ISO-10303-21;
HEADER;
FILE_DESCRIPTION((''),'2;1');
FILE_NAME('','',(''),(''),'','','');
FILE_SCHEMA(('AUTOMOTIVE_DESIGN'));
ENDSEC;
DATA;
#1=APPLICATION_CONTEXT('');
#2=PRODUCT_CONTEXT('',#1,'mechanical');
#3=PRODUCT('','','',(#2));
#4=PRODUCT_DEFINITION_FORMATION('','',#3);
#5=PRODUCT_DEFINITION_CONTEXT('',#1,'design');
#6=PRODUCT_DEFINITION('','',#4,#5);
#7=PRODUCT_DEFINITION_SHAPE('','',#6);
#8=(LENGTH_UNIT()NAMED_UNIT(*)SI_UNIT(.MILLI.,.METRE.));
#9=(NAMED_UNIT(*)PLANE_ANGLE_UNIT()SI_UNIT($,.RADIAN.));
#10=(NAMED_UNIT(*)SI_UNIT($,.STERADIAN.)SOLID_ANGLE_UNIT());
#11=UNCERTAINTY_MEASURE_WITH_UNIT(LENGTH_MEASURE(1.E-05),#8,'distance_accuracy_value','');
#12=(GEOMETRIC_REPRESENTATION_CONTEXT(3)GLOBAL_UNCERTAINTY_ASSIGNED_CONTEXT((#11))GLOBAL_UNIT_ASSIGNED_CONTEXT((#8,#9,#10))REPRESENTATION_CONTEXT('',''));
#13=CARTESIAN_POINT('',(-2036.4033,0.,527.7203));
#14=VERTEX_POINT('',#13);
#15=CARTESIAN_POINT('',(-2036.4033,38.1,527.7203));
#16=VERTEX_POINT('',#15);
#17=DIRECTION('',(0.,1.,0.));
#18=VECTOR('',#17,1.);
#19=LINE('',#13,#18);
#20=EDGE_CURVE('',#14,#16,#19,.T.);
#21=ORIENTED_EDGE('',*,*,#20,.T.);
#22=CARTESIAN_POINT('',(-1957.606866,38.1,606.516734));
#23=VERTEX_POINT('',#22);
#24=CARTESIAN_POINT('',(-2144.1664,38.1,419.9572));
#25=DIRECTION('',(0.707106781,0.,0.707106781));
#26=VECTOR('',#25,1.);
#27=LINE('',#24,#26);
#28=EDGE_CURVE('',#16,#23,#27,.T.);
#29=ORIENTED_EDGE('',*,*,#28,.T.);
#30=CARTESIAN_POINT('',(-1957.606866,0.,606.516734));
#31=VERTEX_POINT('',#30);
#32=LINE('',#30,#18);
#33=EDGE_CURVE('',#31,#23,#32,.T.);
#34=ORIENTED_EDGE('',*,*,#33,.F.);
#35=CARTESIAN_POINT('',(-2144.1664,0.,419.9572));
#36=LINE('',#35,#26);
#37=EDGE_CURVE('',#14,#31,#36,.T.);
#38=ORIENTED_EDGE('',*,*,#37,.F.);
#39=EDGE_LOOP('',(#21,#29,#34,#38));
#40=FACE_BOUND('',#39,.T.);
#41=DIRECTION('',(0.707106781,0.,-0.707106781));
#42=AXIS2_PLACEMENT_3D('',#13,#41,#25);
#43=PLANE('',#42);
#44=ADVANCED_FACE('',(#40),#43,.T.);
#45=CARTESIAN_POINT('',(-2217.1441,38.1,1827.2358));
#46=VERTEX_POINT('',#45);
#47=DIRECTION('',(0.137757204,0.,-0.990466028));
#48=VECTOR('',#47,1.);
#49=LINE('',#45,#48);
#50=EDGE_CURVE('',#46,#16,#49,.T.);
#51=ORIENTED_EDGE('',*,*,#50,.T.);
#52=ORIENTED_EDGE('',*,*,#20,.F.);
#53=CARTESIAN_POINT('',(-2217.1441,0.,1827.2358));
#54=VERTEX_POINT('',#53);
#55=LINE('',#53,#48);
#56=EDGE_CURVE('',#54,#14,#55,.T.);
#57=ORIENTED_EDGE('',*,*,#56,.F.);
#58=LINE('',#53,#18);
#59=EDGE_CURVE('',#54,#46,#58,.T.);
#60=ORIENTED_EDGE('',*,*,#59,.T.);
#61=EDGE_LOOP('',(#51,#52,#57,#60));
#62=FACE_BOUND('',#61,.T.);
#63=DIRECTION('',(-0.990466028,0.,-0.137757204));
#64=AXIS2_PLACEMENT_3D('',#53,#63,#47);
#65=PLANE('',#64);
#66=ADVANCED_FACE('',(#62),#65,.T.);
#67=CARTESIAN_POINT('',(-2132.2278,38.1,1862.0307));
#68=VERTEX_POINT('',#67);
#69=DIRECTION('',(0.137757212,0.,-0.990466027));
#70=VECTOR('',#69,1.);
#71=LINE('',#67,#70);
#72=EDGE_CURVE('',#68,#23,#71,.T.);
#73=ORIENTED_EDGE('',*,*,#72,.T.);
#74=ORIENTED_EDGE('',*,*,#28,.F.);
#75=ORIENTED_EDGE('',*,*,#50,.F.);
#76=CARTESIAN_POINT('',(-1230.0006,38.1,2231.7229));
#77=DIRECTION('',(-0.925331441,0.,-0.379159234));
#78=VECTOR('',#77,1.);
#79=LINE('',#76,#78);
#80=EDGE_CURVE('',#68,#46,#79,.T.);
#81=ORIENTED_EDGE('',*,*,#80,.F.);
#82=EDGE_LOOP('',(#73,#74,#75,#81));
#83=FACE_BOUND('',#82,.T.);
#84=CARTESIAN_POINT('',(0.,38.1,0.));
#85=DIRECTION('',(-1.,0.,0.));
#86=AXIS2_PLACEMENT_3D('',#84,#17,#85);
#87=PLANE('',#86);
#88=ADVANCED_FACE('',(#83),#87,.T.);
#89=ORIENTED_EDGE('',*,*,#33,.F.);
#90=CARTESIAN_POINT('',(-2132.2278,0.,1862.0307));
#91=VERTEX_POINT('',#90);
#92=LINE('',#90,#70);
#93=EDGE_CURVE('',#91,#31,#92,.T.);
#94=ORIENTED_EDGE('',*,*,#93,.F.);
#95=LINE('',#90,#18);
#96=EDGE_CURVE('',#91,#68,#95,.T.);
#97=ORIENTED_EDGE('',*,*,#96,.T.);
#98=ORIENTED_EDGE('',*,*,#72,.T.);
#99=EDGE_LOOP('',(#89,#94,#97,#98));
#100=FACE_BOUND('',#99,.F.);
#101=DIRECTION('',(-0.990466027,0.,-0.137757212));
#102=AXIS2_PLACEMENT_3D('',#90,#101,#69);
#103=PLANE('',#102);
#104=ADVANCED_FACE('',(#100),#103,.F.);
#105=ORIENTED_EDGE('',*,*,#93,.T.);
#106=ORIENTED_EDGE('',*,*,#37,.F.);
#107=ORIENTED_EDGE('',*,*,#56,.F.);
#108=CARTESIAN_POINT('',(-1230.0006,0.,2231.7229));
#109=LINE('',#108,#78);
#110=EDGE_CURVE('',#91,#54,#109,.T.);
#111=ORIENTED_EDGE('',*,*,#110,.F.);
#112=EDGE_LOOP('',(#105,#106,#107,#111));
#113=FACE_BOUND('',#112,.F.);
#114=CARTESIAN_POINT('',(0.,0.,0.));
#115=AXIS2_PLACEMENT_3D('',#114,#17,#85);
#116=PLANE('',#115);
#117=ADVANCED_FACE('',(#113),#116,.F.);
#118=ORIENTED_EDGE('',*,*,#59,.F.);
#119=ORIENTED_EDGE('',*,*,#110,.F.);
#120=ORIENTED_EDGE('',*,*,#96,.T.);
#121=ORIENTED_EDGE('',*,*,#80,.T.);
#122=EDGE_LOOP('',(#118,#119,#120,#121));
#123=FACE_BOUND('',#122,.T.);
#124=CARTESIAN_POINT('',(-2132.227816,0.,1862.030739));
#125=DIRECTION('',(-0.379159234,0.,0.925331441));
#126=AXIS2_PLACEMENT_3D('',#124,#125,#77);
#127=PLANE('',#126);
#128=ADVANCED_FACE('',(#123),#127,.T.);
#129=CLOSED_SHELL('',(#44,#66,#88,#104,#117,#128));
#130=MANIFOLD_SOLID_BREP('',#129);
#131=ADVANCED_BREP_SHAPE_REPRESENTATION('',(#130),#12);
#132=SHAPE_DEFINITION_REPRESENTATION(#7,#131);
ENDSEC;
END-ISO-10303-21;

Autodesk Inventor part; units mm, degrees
ref_plane "YZ Plane" through (0, 0, 0) normal (1, 0, 0) x (0, 1, 0)
ref_plane "XZ Plane" through (0, 0, 0) normal (0, 1, 0) x (-1, 0, 0)
ref_plane "XY Plane" through (0, 0, 0) normal (0, 0, 1) x (1, 0, 0)
sketch "Sketch1" plane through (0, 0, 0) normal (0, 1, 0) x (-1, 0, 0)
  line L0 (0, 0) -> (0, -1219.2)
  line L1 (0, 0) -> (88.9, 0)
  line L2 (88.9, 0) -> (88.9, -1219.2)
  line L3 (88.9, -1219.2) -> (0, -1219.2)
  line L4 (0, 0) -> (0, 1219.2) construction
  line L5 (0, 1219.2) -> (1219.2, 1219.2) construction
  line L6 (0, 1219.2) -> (0, 3657.6) construction
  line L7 (0, 3657.6) -> (0, 4876.8) construction
  line L8 (0, 4876.8) -> (0, 6096) construction
  line L9 (0, -1219.2) -> (2438.4, -1219.2) construction
  line L10 (0, 6096) -> (2438.4, 6096) construction
  line L11 (2438.4, 6096) -> (2438.4, -1219.2) construction
  line L12 (0, 3657.6) -> (0, 3352.8) construction
  line L13 (0, 3352.8) -> (2438.4, 3352.8) construction
  line L14 (2438.4, 3352.8) -> (1219.2, 3352.8)
  line L15 (1219.2, 3352.8) -> (1219.2, 3263.9)
  line L16 (1219.2, 3263.9) -> (2438.4, 3263.9)
  line L17 (2438.4, 3263.9) -> (2438.4, 3352.8)
  line L18 (0, 6096) -> (862.1046, 6958.1046)
  line L19 (862.1046, 6958.1046) -> (924.9664, 6895.2428)
  line L20 (924.9664, 6895.2428) -> (62.8618, 6033.1382)
  line L21 (62.8618, 6033.1382) -> (0, 6096)
  line L22 (0, 4876.8) -> (1219.2, 4876.8) construction
  line L23 (1219.2, 4876.8) -> (2081.3046, 5738.9046)
  line L24 (1219.2, 1219.2) -> (2081.3046, 357.0954)
  line L25 (2081.3046, 357.0954) -> (2018.4428, 294.2336)
  line L26 (2018.4428, 294.2336) -> (1156.3382, 1156.3382)
  line L27 (1156.3382, 1156.3382) -> (1219.2, 1219.2)
  line L28 (2018.4428, 294.2336) -> (88.9, -1219.2)
  line L29 (2081.3046, 357.0954) -> (2144.1664, 419.9572)
  line L30 (2144.1664, 419.9572) -> (1282.0618, 1282.0618)
  line L31 (1282.0618, 1282.0618) -> (1219.2, 1219.2)
  line L32 (2438.4, 3352.8) -> (2438.4, 3441.7)
  line L33 (2438.4, 3441.7) -> (1219.2, 3441.7)
  line L34 (1219.2, 3441.7) -> (1219.2, 3352.8)
  line L35 (1156.3382, 4939.6618) -> (1282.0618, 4813.9382)
  line L36 (2018.4428, 5801.7664) -> (2144.1664, 5676.0428)
  line L37 (1282.0618, 4813.9382) -> (2144.1664, 5676.0428)
  line L38 (2018.4428, 5801.7664) -> (1156.3382, 4939.6618)
  line L39 (2018.4428, 5801.7664) -> (924.9664, 6895.2428)
  line L40 (62.8618, 6033.1382) -> (1156.3382, 4939.6618)
  line L41 (1233.6206, 4168.8855) -> (1267.6412, 4086.7527)
  line L42 (1263.7078, 2313.9849) -> (1230.0006, 2231.7229)
  arc A0 (862.1046, 6958.1046) -> (0, 6096) centre (431.0523, 6527.0523) ccw
  line L43 (1246.8542, 2272.8539) -> (2375.0183, 1810.583)
  line L44 (2391.8719, 1851.7139) -> (2358.1646, 1769.452)
  line L45 (2391.8719, 1851.7139) -> (1263.7078, 2313.9849)
  line L46 (1230.0006, 2231.7229) -> (2358.1646, 1769.452)
  line L47 (1230.0006, 2231.7229) -> (1219.2, 3263.9)
  line L48 (2144.1664, 419.9572) -> (2391.8719, 1851.7139)
  line L49 (2391.8719, 1851.7139) -> (2438.4, 3263.9)
  line L50 (1219.2, 3441.7) -> (1233.6206, 4168.8855)
  line L51 (1250.6309, 4127.8191) -> (2377.0248, 4594.3867)
  line L52 (2360.0145, 4635.4532) -> (2394.0351, 4553.3203)
  line L53 (2394.0351, 4553.3203) -> (1267.6412, 4086.7527)
  line L54 (2360.0145, 4635.4532) -> (1233.6206, 4168.8855)
  line L55 (2394.0351, 4553.3203) -> (2144.1664, 5676.0428)
  line L56 (2438.4, 3441.7) -> (2394.0351, 4553.3203)
  line L57 (2144.1664, 5676.0428) -> (2057.3895, 5656.7301)
  line L58 (2394.0351, 4553.3203) -> (2305.2058, 4549.7751)
  line L59 (2394.0351, 4553.3203) -> (2307.2582, 4534.0076)
  line L60 (2307.2582, 4534.0076) -> (2057.3895, 5656.7301)
  line L61 (2438.4, 3441.7) -> (2349.5707, 3438.1548)
  line L62 (2349.5707, 3438.1548) -> (2305.2058, 4549.7751)
  line L63 (1219.2, 3441.7) -> (1308.0825, 3439.9374)
  line L64 (1233.6206, 4168.8855) -> (1322.5031, 4167.1229)
  line L65 (1322.5031, 4167.1229) -> (1308.0825, 3439.9374)
  line L66 (2018.4428, 5801.7664) -> (1955.581, 5738.9046)
  line L67 (1955.581, 5738.9046) -> (862.1046, 6832.381)
  line L68 (924.9664, 6895.2428) -> (862.1046, 6832.381)
  line L69 (62.8618, 6033.1382) -> (125.7236, 6096)
  line L70 (62.8618, 6033.1382) -> (125.7236, 6096)
  line L71 (125.7236, 6096) -> (1219.2, 5002.5236)
  line L72 (1156.3382, 1156.3382) -> (0, 0)
  line L73 (0, 0) -> (62.8618, -62.8618)
  line L74 (1156.3382, 1156.3382) -> (1219.2, 1093.4764)
  line L75 (1219.2, 1093.4764) -> (62.8618, -62.8618)
  line L76 (2018.4428, 294.2336) -> (1963.5776, 364.1837)
  line L77 (88.9, -1219.2) -> (34.0348, -1149.2499)
  line L78 (34.0348, -1149.2499) -> (1963.5776, 364.1837)
  line L79 (2144.1664, 419.9572) -> (2056.5677, 435.1125)
  line L80 (2391.8719, 1851.7139) -> (2304.2732, 1866.8692)
  line L81 (2391.8719, 1851.7139) -> (2303.0201, 1854.6414)
  line L82 (2304.2732, 1866.8692) -> (2056.5677, 435.1125)
  line L83 (1230.0006, 2231.7229) -> (1318.8957, 2232.6531)
  line L84 (1219.2, 3263.9) -> (1308.0951, 3264.8302)
  line L85 (1308.0951, 3264.8302) -> (1318.8957, 2232.6531)
  line L86 (2438.4, 3263.9) -> (2349.5482, 3266.8275)
  line L87 (2349.5482, 3266.8275) -> (2303.0201, 1854.6414)
  line L88 (88.9, 0) -> (125.7236, 0)
  line L89 (1233.6206, 4168.8855) -> (1219.2, 4876.8)
  line L90 (1233.6206, 4168.8855) -> (1322.5022, 4170.6961)
  line L91 (1219.2, 4876.8) -> (1308.0816, 4878.6106)
  line L92 (1308.0816, 4878.6106) -> (1322.5022, 4170.6961)
  line L93 (1282.0618, 4813.9382) -> (1309.9674, 4786.0326)
  line L94 (1267.6412, 4086.7527) -> (1318.4756, 3964.0275)
  line L95 (2360.0145, 4635.4532) -> (2374.4273, 4641.4231)
  line L96 (1230.0006, 2231.7229) -> (1219.2, 1219.2)
  line L97 (1230.0006, 2231.7229) -> (1318.8955, 2230.7747)
  line L98 (1219.2, 1219.2) -> (1308.0949, 1218.2518)
  line L99 (1308.0949, 1218.2518) -> (1318.8955, 2230.7747)
  line L100 (1282.0618, 1282.0618) -> (1309.0636, 1309.0636)
  line L101 (1263.7078, 2313.9849) -> (1316.7428, 2438.4)
  line L102 (2358.1646, 1769.452) -> (2376.5379, 1763.082)
  line L103 (2286, 3352.8) -> (1371.6, 3352.8)
  line L104 (2286, 3441.7) -> (2286, 3263.9)
  line L105 (1371.6, 3441.7) -> (1371.6, 3263.9)
  line L106 (0, -152.4) -> (0, -1066.8)
  line L107 (0, -152.4) -> (88.9, -152.4)
  line L108 (0, -1066.8) -> (88.9, -1066.8)
  line L109 (1326.9631, 1111.4369) -> (1973.5415, 464.8585)
  line L110 (2036.4033, 527.7203) -> (1910.6797, 401.9967)
  line L111 (1389.8249, 1174.2987) -> (1264.1013, 1048.5751)
  line L112 (2233.9978, 1868.3668) -> (1387.8747, 2215.07)
  line L113 (1404.7283, 2256.201) -> (1371.0211, 2173.939)
  line L114 (2250.8514, 1909.4978) -> (2217.1441, 1827.2358)
  line L115 (1371.0211, 2173.939) -> (1389.8249, 1174.2987)
  line L116 (1264.1013, 1048.5751) -> (88.9, -152.4)
  line L117 (2217.1441, 1827.2358) -> (2036.4033, 527.7203)
  line L118 (1910.6797, 401.9967) -> (88.9, -1066.8)
  line L119 (88.9, -1066.8) -> (33.1016, -997.592)
  line L120 (1910.6797, 401.9967) -> (1854.8813, 471.2047)
  line L121 (1854.8813, 471.2047) -> (33.1016, -997.592)
  line L122 (88.9, -152.4) -> (0, -243.2497)
  line L123 (0, -243.2497) -> (63.5399, -305.426)
  line L124 (1263.7078, 1048.9686) -> (1327.2477, 986.7923)
  line L125 (1327.2477, 986.7923) -> (88.9, -278.7141)
  line L126 (1389.8249, 1174.2987) -> (1392.2351, 1046.1649)
  line L127 (1392.2351, 1046.1649) -> (1481.1194, 1047.8368)
  line L128 (1371.0211, 2173.939) -> (1459.9053, 2175.611)
  line L129 (1459.9053, 2175.611) -> (1481.1194, 1047.8368)
  line L130 (2036.4033, 527.7203) -> (1948.3509, 539.9669)
  line L131 (2217.1441, 1827.2358) -> (2223.465, 1872.6827)
  line L132 (2223.465, 1872.6827) -> (2135.4126, 1884.9293)
  line L133 (2135.4126, 1884.9293) -> (2132.2278, 1862.0307)
  line L134 (88.9, -278.7141) -> (63.1422, -305.0368)
  line L135 (2132.2278, 1862.0307) -> (1948.3509, 539.9669)
  point P0 (1955.1236, 357.5528)
  point P1 (88.9, -1106.2164)
  point P2 (2292.1025, 1796.5213)
  point P3 (2067.2525, 496.8711)
  point P4 (1318.5187, 2195.4522)
  point P5 (1308.1049, 3263.9)
  point P6 (2349.4518, 3263.9)
  point P7 (2304.1085, 1887.6754)
  point P8 (2306.5112, 4517.0667)
  point P9 (2349.4292, 3441.7)
  point P10 (1308.1175, 3441.7)
  point P11 (2069.6708, 5601.5472)
  point P12 (2291.0394, 4606.8827)
  point P13 (1321.7951, 4205.4086)
  point P14 (1828.8, 3352.8)
  point P15 (0, -609.6)
  point P16 (1650.2523, 788.1477)
  point P17 (1810.9362, 2041.7184)
  point P18 (88.9, -278.7141)
  point P19 (1326.5733, 986.1031)
  point P20 (1957.6068, 606.5167)
  point P21 (1957.6068, 606.5167)
  dimension "d0" = 1219.2
  dimension "d2" = 1219.2
  dimension "d3" = 1219.2
  dimension "d16" = 2438.4
  dimension "d17" = 1219.2
  dimension "d18" = 1219.2
  dimension "d20" = 2438.4
  dimension "d21" = 304.8
  dimension "d22" = 1219.2
  dimension "d23" = 88.9
  dimension "d24" = 1219.2
  dimension "d25" = 45
  dimension "d26" = 88.9
  dimension "d27" = 1219.2
  dimension "d28" = 1219.2
  dimension "d29" = 1219.2
  dimension "d31" = 1219.2
  dimension "d32" = 88.9
  dimension "d33" = 88.9
  dimension "d34" = 88.9
  dimension "d35" = 177.8
  dimension "d36" = 177.8
  dimension "d38" = 88.9
  dimension "d39" = 88.9
  dimension "d43" = 1219.2
  dimension "d44" = 88.9
  dimension "d45" = 1219.2
  dimension "d46" = 88.9
  dimension "d47" = 88.9
  dimension "d48" = 88.9
  dimension "d49" = 88.9
  dimension "d50" = 88.9
  dimension "d51" = 88.9
  dimension "d54" = 88.9
  dimension "d55" = 88.9
  dimension "d57" = 88.9
  dimension "d58" = 88.9
  dimension "d59" = 88.9
  dimension "d60" = 88.9
  dimension "d61" = 88.9
  dimension "d64" = 88.9
  dimension "d65" = 88.9
  dimension "d66" = 88.9
  dimension "d69" = 88.9
  dimension "d70" = 88.9
  dimension "d71" = 88.9
  dimension "d72" = 88.9
  dimension "d73" = 914.4
  dimension "d74" = 914.4
  dimension "d75" = 914.4
  dimension "d76" = 914.4
  dimension "d77" = 88.9
  dimension "d78" = 88.9
  dimension "d79" = 88.9
  dimension "d80" = 88.9
  dimension "d83" = 88.9
  dimension "d84" = 88.9
  dimension "d85" = 88.9
  dimension "d86" = 88.9
extrude "Extrusion2" add sketch "Sketch1" along normal blind 38.1 contours L30 L135 L46 L117
properties part number "S_2x4x52.551"
